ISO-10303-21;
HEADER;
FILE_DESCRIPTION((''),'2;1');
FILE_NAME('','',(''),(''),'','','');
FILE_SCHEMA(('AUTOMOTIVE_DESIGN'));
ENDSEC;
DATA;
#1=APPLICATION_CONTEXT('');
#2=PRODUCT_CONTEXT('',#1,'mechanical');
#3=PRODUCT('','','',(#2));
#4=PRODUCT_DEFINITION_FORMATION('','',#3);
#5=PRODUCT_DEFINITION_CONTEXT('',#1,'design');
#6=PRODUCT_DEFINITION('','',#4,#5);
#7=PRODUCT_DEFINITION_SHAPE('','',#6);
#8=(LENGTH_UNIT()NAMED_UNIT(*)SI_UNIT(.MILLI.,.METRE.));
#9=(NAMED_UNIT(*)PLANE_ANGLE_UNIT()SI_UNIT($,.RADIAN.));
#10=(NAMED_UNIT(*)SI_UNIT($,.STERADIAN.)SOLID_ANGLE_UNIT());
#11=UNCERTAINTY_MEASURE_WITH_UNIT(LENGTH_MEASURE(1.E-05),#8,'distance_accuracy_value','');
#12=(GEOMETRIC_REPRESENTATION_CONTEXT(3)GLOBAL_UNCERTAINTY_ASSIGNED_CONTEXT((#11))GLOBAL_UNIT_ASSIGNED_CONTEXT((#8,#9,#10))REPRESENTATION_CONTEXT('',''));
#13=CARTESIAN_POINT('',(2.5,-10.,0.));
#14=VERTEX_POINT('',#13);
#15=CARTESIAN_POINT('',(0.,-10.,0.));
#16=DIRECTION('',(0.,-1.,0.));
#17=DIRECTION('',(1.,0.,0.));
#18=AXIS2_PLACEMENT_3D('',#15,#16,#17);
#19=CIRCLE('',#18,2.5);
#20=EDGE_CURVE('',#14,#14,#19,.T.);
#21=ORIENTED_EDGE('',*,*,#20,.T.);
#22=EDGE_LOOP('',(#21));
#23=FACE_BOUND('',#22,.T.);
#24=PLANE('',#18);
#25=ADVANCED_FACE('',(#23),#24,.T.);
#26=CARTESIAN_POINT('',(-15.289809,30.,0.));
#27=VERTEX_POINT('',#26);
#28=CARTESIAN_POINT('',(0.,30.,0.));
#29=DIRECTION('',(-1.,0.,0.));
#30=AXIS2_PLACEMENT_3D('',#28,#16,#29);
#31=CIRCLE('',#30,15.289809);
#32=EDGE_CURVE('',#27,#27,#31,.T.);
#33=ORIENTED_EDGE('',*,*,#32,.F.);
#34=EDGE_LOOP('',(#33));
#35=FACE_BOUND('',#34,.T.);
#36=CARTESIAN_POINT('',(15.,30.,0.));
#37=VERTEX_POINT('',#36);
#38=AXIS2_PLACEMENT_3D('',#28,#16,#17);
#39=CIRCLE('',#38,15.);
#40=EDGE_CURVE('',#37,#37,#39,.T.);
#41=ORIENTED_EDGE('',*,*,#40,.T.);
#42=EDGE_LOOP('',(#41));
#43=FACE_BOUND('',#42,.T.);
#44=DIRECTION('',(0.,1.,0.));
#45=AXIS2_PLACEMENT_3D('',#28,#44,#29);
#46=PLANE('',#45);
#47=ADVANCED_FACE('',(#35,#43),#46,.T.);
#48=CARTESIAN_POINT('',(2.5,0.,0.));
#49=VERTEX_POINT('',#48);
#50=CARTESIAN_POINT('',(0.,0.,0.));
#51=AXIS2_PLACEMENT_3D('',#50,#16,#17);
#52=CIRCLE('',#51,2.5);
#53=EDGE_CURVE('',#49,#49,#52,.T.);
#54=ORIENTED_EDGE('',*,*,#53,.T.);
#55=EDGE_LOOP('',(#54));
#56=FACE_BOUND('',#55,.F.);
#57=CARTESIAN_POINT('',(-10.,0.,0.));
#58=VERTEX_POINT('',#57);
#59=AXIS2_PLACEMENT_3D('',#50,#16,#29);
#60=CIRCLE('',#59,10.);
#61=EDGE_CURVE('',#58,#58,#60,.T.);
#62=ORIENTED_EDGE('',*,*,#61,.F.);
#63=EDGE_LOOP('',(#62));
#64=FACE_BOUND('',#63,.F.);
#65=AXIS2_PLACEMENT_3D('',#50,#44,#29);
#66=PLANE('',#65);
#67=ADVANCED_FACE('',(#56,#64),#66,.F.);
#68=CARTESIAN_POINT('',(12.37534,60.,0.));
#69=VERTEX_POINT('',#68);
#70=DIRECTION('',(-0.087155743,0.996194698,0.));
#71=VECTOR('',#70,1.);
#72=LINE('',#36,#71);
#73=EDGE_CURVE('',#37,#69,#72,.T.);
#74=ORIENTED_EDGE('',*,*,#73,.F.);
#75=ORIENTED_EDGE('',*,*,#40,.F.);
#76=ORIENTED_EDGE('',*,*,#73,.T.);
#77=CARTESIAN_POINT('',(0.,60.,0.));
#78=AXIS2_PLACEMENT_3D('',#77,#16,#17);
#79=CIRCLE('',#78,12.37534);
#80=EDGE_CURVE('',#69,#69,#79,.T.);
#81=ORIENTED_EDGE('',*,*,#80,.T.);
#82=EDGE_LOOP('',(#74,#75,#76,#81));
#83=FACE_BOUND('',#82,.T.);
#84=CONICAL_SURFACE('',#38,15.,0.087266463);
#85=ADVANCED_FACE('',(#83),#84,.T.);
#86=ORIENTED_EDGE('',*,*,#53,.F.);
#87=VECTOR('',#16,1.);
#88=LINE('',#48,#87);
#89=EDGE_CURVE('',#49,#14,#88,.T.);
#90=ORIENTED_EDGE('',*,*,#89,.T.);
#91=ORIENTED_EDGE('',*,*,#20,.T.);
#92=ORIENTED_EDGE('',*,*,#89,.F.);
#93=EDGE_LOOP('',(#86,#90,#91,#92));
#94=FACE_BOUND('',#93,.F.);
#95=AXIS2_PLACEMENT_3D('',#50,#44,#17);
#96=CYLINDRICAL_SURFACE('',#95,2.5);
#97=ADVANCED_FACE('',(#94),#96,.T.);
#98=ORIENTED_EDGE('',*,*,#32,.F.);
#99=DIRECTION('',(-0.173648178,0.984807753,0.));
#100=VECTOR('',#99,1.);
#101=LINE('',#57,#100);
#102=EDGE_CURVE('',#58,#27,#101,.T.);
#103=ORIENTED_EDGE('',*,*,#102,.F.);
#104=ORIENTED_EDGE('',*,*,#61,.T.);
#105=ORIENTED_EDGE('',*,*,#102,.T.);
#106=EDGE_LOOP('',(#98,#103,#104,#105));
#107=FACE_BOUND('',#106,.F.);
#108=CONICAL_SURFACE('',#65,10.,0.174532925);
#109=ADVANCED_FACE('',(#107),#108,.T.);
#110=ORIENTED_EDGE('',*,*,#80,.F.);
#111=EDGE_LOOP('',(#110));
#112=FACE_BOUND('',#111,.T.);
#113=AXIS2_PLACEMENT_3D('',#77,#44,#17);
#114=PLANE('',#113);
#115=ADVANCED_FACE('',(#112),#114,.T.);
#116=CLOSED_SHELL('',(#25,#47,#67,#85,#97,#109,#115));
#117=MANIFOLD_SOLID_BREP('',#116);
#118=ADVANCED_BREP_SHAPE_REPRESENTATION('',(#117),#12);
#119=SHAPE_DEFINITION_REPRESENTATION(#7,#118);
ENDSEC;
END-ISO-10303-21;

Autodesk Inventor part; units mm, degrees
ref_plane "YZ Plane" through (0, 0, 0) normal (1, 0, 0) x (0, 1, 0)
ref_plane "XZ Plane" through (0, 0, 0) normal (0, 1, 0) x (-1, 0, 0)
ref_plane "XY Plane" through (0, 0, 0) normal (0, 0, 1) x (1, 0, 0)
sketch "Sketch1" plane through (0, 0, 0) normal (0, 1, 0) x (-1, 0, 0)
  circle A0 centre (0, 0) radius 10
  dimension "d0" = 20
extrude "Extrusion1" add sketch "Sketch1" along normal blind 30 draft 10
sketch "Sketch2" plane through (0, 30, 0) normal (0, 1, 0) x (1, 0, 0)
  point P0 (0, 0)
sketch "Sketch3" plane through (0, 30, 0) normal (0, 1, 0) x (1, 0, 0)
  circle A0 centre (0, 0) radius 15
  dimension "d3" = 30
extrude "Extrusion2" add sketch "Sketch3" along normal blind 30 draft -5
sketch "Sketch4" plane through (0, 0, 0) normal (0, -1, 0) x (1, 0, 0)
  circle A0 centre (0, 0) radius 2.5
  dimension "d6" = 5
extrude "Extrusion3" add sketch "Sketch4" along normal blind 10
properties part number "torchHead"
